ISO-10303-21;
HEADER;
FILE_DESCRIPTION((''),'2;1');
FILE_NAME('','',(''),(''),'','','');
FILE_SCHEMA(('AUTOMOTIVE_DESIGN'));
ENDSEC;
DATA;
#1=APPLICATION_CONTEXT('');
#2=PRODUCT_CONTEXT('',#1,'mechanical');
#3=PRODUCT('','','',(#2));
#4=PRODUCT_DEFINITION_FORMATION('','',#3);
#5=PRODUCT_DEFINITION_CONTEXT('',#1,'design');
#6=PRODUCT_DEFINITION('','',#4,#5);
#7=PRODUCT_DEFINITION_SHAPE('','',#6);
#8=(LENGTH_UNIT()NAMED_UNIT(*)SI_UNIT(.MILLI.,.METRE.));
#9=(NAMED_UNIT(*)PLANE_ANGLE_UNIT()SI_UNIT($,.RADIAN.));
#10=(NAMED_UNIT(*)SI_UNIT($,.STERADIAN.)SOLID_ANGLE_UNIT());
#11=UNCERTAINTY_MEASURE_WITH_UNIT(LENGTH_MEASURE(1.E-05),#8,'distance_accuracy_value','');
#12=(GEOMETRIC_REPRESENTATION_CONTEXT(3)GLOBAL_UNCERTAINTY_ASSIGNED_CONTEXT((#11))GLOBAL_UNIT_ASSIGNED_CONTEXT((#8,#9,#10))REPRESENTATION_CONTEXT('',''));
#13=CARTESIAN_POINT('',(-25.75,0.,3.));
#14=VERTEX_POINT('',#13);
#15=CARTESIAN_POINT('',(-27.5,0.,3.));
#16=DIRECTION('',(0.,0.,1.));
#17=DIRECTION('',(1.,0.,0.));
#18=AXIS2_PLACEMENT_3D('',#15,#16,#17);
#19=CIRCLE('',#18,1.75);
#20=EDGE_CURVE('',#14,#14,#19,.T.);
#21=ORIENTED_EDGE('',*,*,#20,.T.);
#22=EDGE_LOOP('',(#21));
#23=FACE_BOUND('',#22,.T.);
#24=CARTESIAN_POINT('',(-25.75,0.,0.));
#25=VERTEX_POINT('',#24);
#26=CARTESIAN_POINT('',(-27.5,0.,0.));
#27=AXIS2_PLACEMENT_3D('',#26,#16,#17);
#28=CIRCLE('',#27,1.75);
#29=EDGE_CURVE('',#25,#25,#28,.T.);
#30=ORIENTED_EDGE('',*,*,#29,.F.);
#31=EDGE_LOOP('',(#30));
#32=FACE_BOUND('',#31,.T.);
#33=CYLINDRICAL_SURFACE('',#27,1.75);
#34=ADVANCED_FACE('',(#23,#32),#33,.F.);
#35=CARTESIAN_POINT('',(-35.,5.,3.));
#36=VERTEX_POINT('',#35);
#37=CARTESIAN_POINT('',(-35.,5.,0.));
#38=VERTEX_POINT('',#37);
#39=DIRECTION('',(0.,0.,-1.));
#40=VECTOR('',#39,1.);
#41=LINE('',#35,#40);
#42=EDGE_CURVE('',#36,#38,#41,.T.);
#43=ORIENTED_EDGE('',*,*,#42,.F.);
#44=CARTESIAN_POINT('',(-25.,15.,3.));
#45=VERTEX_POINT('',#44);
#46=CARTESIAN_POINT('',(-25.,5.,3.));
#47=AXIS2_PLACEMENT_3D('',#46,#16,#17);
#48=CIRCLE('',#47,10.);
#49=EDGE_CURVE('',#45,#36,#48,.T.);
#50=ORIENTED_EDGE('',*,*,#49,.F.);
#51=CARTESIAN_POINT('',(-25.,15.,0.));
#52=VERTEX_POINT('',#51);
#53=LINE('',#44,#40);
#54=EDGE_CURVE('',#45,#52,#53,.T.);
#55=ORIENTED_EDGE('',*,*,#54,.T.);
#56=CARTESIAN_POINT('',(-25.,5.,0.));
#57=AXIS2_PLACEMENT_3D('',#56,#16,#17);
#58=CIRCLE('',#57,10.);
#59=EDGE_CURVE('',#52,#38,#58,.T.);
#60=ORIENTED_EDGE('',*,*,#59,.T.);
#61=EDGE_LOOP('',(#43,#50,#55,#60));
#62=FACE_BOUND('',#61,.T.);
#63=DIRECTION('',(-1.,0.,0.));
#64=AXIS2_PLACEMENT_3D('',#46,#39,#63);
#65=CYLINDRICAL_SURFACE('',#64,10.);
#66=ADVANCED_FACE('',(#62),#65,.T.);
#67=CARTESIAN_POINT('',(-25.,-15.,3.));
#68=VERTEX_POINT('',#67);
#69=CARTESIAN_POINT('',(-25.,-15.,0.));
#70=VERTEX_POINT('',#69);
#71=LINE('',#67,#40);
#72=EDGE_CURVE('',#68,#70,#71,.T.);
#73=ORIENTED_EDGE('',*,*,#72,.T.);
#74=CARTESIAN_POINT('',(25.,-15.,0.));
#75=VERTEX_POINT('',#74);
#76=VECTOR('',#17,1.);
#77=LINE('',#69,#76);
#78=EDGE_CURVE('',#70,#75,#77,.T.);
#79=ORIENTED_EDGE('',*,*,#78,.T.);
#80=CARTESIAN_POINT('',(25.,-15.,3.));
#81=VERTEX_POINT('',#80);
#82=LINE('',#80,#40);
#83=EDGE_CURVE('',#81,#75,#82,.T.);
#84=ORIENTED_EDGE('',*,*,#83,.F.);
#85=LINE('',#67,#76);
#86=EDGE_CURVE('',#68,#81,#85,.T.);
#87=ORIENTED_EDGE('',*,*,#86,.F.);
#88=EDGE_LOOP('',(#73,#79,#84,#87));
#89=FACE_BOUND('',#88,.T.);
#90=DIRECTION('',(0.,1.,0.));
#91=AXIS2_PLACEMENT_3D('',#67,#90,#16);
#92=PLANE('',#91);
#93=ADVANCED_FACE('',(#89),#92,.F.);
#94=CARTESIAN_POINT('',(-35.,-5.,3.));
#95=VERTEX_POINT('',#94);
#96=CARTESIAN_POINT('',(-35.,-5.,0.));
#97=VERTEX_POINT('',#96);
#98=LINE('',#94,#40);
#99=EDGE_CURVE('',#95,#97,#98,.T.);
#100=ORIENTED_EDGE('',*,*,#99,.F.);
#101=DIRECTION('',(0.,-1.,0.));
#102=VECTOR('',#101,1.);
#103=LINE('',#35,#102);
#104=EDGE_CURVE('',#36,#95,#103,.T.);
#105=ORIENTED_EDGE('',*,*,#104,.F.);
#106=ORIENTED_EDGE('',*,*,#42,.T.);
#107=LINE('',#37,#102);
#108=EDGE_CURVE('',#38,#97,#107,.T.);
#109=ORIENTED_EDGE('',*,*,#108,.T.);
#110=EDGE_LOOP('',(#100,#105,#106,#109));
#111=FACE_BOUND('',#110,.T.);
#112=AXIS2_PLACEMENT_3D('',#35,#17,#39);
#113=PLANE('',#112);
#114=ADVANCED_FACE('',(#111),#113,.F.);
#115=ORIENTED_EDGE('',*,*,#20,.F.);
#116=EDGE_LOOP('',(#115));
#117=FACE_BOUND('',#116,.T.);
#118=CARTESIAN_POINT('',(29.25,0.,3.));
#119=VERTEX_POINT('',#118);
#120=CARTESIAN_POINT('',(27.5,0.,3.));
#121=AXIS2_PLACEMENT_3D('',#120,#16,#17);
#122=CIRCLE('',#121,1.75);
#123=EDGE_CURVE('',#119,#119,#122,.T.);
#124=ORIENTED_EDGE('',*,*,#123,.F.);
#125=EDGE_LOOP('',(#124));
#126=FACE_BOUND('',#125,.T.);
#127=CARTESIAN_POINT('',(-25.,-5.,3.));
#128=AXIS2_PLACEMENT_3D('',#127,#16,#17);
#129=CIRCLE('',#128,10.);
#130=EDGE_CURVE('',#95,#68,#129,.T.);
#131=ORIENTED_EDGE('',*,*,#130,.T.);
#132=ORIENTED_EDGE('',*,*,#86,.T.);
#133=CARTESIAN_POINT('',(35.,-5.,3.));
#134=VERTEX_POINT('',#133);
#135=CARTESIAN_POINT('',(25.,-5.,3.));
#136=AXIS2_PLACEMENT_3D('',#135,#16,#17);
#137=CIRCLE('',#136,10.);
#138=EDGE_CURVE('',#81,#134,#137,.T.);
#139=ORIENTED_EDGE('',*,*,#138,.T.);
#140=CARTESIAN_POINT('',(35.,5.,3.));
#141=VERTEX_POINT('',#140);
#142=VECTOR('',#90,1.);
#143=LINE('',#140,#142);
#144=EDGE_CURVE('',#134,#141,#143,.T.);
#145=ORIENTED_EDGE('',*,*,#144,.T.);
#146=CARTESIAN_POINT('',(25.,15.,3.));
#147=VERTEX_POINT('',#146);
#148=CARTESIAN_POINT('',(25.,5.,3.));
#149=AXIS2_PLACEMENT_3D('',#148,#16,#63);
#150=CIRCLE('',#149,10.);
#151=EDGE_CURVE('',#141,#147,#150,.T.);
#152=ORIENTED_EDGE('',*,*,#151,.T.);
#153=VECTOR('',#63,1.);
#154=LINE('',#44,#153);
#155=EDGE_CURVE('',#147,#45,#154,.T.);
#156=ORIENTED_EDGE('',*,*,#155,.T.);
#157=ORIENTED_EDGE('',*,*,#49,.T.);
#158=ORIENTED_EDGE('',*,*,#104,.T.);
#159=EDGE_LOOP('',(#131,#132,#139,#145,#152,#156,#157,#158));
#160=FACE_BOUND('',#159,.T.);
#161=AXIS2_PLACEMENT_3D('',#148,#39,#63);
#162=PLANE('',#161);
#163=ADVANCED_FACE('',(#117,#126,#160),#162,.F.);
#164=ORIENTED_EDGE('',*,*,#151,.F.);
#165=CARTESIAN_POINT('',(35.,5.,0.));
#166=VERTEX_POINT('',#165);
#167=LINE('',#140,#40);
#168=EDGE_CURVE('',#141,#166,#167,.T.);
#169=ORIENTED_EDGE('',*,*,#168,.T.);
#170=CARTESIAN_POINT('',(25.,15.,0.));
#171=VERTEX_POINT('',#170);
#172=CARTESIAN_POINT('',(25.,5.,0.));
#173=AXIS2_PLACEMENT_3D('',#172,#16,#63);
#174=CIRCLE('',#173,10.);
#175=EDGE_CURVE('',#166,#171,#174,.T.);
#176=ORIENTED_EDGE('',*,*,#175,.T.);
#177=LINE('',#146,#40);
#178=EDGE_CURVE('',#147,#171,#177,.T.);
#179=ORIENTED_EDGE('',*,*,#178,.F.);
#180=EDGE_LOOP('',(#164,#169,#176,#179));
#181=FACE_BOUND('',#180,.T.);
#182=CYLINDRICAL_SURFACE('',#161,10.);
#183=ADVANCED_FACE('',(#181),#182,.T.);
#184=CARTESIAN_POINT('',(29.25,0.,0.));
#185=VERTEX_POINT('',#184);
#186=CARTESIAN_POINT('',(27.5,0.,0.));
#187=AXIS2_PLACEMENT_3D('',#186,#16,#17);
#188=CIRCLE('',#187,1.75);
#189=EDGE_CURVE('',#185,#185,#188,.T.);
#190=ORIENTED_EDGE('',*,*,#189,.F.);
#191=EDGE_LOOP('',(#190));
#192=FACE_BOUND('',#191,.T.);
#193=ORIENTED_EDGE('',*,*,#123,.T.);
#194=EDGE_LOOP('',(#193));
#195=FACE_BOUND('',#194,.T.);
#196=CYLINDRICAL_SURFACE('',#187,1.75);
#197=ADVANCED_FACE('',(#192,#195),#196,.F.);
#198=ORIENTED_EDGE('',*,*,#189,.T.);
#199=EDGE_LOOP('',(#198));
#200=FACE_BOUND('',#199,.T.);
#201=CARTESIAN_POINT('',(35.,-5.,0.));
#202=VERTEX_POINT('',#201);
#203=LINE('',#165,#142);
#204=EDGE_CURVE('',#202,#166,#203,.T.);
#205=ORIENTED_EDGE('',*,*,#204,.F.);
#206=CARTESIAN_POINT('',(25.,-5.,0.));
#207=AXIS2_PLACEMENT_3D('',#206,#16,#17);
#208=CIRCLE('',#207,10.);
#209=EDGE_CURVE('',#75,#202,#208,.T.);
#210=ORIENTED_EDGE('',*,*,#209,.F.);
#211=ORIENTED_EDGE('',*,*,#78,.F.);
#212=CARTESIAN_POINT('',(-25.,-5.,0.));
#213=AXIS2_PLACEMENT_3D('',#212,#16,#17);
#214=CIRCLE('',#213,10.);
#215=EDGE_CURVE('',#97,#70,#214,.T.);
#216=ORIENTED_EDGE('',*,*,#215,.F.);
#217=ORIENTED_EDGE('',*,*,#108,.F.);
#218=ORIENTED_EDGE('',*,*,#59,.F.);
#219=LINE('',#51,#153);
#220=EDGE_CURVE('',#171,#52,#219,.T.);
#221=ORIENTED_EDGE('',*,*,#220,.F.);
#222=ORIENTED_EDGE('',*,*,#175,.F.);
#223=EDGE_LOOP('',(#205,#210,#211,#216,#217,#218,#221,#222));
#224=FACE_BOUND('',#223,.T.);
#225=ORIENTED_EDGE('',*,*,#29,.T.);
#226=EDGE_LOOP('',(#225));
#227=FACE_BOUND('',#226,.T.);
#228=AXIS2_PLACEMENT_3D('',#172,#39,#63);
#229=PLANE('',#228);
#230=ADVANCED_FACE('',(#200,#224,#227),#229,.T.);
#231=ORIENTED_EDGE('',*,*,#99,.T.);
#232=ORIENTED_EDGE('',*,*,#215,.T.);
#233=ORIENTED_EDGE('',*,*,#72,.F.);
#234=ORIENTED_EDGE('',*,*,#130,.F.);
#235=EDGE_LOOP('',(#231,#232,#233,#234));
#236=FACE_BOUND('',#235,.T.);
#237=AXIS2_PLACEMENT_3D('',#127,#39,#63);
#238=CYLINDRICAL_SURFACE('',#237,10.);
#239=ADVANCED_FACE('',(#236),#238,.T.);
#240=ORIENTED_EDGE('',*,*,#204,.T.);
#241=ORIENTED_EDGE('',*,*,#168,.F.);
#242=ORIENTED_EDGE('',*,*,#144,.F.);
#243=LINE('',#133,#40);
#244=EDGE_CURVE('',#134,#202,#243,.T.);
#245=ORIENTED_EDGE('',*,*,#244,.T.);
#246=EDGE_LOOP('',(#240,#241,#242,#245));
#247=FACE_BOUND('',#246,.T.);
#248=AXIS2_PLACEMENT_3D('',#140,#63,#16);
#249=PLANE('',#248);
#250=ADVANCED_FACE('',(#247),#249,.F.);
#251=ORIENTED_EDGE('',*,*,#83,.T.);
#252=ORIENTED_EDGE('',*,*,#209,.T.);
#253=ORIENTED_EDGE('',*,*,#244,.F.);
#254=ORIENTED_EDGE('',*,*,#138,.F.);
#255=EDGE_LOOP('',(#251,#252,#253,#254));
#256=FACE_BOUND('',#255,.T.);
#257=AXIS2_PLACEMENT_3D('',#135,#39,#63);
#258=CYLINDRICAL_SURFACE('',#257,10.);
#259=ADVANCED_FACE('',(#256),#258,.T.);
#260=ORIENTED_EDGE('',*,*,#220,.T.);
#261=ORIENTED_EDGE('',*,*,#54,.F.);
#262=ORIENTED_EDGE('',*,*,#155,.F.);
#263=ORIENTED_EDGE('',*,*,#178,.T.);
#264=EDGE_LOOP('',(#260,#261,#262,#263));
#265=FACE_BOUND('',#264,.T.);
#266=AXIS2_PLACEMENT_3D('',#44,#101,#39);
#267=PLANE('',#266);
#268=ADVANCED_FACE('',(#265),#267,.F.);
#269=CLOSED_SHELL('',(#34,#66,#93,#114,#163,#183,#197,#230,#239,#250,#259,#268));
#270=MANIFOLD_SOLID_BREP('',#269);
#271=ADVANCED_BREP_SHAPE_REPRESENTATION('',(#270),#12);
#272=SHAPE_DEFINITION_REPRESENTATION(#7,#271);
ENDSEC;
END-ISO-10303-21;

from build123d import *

# Parameters (mm, degrees)
BOSS_EXTRUDE1_DEPTH = 3
SKETCH2_R           = 1.75
CUT_EXTRUDE1_DEPTH  = 3


with BuildPart() as part:
    # Sketch1 → Boss-Extrude1 (new body)
    with BuildSketch(Plane.XY):
        with BuildLine():
            Line((-25, 15), (25, 15))
            ThreePointArc((25, 15), (32.071067812, 12.071067812), (35, 5))
            Line((35, 5), (35, -5))
            ThreePointArc((35, -5), (32.071067812, -12.071067812), (25, -15))
            Line((25, -15), (-25, -15))
            ThreePointArc((-25, -15), (-32.071067812, -12.071067812), (-35, -5))
            Line((-35, -5), (-35, 5))
            ThreePointArc((-35, 5), (-32.071067812, 12.071067812), (-25, 15))
        make_face()
    extrude(amount=BOSS_EXTRUDE1_DEPTH)

    # Sketch2 → Cut-Extrude1 (cut)
    with BuildSketch(Plane.XY.offset(3)):
        with Locations((-27.5, 0)):
            Circle(SKETCH2_R)
        with Locations((27.5, 0)):
            Circle(SKETCH2_R)
    extrude(amount=-CUT_EXTRUDE1_DEPTH, mode=Mode.SUBTRACT)


solid = part.part
